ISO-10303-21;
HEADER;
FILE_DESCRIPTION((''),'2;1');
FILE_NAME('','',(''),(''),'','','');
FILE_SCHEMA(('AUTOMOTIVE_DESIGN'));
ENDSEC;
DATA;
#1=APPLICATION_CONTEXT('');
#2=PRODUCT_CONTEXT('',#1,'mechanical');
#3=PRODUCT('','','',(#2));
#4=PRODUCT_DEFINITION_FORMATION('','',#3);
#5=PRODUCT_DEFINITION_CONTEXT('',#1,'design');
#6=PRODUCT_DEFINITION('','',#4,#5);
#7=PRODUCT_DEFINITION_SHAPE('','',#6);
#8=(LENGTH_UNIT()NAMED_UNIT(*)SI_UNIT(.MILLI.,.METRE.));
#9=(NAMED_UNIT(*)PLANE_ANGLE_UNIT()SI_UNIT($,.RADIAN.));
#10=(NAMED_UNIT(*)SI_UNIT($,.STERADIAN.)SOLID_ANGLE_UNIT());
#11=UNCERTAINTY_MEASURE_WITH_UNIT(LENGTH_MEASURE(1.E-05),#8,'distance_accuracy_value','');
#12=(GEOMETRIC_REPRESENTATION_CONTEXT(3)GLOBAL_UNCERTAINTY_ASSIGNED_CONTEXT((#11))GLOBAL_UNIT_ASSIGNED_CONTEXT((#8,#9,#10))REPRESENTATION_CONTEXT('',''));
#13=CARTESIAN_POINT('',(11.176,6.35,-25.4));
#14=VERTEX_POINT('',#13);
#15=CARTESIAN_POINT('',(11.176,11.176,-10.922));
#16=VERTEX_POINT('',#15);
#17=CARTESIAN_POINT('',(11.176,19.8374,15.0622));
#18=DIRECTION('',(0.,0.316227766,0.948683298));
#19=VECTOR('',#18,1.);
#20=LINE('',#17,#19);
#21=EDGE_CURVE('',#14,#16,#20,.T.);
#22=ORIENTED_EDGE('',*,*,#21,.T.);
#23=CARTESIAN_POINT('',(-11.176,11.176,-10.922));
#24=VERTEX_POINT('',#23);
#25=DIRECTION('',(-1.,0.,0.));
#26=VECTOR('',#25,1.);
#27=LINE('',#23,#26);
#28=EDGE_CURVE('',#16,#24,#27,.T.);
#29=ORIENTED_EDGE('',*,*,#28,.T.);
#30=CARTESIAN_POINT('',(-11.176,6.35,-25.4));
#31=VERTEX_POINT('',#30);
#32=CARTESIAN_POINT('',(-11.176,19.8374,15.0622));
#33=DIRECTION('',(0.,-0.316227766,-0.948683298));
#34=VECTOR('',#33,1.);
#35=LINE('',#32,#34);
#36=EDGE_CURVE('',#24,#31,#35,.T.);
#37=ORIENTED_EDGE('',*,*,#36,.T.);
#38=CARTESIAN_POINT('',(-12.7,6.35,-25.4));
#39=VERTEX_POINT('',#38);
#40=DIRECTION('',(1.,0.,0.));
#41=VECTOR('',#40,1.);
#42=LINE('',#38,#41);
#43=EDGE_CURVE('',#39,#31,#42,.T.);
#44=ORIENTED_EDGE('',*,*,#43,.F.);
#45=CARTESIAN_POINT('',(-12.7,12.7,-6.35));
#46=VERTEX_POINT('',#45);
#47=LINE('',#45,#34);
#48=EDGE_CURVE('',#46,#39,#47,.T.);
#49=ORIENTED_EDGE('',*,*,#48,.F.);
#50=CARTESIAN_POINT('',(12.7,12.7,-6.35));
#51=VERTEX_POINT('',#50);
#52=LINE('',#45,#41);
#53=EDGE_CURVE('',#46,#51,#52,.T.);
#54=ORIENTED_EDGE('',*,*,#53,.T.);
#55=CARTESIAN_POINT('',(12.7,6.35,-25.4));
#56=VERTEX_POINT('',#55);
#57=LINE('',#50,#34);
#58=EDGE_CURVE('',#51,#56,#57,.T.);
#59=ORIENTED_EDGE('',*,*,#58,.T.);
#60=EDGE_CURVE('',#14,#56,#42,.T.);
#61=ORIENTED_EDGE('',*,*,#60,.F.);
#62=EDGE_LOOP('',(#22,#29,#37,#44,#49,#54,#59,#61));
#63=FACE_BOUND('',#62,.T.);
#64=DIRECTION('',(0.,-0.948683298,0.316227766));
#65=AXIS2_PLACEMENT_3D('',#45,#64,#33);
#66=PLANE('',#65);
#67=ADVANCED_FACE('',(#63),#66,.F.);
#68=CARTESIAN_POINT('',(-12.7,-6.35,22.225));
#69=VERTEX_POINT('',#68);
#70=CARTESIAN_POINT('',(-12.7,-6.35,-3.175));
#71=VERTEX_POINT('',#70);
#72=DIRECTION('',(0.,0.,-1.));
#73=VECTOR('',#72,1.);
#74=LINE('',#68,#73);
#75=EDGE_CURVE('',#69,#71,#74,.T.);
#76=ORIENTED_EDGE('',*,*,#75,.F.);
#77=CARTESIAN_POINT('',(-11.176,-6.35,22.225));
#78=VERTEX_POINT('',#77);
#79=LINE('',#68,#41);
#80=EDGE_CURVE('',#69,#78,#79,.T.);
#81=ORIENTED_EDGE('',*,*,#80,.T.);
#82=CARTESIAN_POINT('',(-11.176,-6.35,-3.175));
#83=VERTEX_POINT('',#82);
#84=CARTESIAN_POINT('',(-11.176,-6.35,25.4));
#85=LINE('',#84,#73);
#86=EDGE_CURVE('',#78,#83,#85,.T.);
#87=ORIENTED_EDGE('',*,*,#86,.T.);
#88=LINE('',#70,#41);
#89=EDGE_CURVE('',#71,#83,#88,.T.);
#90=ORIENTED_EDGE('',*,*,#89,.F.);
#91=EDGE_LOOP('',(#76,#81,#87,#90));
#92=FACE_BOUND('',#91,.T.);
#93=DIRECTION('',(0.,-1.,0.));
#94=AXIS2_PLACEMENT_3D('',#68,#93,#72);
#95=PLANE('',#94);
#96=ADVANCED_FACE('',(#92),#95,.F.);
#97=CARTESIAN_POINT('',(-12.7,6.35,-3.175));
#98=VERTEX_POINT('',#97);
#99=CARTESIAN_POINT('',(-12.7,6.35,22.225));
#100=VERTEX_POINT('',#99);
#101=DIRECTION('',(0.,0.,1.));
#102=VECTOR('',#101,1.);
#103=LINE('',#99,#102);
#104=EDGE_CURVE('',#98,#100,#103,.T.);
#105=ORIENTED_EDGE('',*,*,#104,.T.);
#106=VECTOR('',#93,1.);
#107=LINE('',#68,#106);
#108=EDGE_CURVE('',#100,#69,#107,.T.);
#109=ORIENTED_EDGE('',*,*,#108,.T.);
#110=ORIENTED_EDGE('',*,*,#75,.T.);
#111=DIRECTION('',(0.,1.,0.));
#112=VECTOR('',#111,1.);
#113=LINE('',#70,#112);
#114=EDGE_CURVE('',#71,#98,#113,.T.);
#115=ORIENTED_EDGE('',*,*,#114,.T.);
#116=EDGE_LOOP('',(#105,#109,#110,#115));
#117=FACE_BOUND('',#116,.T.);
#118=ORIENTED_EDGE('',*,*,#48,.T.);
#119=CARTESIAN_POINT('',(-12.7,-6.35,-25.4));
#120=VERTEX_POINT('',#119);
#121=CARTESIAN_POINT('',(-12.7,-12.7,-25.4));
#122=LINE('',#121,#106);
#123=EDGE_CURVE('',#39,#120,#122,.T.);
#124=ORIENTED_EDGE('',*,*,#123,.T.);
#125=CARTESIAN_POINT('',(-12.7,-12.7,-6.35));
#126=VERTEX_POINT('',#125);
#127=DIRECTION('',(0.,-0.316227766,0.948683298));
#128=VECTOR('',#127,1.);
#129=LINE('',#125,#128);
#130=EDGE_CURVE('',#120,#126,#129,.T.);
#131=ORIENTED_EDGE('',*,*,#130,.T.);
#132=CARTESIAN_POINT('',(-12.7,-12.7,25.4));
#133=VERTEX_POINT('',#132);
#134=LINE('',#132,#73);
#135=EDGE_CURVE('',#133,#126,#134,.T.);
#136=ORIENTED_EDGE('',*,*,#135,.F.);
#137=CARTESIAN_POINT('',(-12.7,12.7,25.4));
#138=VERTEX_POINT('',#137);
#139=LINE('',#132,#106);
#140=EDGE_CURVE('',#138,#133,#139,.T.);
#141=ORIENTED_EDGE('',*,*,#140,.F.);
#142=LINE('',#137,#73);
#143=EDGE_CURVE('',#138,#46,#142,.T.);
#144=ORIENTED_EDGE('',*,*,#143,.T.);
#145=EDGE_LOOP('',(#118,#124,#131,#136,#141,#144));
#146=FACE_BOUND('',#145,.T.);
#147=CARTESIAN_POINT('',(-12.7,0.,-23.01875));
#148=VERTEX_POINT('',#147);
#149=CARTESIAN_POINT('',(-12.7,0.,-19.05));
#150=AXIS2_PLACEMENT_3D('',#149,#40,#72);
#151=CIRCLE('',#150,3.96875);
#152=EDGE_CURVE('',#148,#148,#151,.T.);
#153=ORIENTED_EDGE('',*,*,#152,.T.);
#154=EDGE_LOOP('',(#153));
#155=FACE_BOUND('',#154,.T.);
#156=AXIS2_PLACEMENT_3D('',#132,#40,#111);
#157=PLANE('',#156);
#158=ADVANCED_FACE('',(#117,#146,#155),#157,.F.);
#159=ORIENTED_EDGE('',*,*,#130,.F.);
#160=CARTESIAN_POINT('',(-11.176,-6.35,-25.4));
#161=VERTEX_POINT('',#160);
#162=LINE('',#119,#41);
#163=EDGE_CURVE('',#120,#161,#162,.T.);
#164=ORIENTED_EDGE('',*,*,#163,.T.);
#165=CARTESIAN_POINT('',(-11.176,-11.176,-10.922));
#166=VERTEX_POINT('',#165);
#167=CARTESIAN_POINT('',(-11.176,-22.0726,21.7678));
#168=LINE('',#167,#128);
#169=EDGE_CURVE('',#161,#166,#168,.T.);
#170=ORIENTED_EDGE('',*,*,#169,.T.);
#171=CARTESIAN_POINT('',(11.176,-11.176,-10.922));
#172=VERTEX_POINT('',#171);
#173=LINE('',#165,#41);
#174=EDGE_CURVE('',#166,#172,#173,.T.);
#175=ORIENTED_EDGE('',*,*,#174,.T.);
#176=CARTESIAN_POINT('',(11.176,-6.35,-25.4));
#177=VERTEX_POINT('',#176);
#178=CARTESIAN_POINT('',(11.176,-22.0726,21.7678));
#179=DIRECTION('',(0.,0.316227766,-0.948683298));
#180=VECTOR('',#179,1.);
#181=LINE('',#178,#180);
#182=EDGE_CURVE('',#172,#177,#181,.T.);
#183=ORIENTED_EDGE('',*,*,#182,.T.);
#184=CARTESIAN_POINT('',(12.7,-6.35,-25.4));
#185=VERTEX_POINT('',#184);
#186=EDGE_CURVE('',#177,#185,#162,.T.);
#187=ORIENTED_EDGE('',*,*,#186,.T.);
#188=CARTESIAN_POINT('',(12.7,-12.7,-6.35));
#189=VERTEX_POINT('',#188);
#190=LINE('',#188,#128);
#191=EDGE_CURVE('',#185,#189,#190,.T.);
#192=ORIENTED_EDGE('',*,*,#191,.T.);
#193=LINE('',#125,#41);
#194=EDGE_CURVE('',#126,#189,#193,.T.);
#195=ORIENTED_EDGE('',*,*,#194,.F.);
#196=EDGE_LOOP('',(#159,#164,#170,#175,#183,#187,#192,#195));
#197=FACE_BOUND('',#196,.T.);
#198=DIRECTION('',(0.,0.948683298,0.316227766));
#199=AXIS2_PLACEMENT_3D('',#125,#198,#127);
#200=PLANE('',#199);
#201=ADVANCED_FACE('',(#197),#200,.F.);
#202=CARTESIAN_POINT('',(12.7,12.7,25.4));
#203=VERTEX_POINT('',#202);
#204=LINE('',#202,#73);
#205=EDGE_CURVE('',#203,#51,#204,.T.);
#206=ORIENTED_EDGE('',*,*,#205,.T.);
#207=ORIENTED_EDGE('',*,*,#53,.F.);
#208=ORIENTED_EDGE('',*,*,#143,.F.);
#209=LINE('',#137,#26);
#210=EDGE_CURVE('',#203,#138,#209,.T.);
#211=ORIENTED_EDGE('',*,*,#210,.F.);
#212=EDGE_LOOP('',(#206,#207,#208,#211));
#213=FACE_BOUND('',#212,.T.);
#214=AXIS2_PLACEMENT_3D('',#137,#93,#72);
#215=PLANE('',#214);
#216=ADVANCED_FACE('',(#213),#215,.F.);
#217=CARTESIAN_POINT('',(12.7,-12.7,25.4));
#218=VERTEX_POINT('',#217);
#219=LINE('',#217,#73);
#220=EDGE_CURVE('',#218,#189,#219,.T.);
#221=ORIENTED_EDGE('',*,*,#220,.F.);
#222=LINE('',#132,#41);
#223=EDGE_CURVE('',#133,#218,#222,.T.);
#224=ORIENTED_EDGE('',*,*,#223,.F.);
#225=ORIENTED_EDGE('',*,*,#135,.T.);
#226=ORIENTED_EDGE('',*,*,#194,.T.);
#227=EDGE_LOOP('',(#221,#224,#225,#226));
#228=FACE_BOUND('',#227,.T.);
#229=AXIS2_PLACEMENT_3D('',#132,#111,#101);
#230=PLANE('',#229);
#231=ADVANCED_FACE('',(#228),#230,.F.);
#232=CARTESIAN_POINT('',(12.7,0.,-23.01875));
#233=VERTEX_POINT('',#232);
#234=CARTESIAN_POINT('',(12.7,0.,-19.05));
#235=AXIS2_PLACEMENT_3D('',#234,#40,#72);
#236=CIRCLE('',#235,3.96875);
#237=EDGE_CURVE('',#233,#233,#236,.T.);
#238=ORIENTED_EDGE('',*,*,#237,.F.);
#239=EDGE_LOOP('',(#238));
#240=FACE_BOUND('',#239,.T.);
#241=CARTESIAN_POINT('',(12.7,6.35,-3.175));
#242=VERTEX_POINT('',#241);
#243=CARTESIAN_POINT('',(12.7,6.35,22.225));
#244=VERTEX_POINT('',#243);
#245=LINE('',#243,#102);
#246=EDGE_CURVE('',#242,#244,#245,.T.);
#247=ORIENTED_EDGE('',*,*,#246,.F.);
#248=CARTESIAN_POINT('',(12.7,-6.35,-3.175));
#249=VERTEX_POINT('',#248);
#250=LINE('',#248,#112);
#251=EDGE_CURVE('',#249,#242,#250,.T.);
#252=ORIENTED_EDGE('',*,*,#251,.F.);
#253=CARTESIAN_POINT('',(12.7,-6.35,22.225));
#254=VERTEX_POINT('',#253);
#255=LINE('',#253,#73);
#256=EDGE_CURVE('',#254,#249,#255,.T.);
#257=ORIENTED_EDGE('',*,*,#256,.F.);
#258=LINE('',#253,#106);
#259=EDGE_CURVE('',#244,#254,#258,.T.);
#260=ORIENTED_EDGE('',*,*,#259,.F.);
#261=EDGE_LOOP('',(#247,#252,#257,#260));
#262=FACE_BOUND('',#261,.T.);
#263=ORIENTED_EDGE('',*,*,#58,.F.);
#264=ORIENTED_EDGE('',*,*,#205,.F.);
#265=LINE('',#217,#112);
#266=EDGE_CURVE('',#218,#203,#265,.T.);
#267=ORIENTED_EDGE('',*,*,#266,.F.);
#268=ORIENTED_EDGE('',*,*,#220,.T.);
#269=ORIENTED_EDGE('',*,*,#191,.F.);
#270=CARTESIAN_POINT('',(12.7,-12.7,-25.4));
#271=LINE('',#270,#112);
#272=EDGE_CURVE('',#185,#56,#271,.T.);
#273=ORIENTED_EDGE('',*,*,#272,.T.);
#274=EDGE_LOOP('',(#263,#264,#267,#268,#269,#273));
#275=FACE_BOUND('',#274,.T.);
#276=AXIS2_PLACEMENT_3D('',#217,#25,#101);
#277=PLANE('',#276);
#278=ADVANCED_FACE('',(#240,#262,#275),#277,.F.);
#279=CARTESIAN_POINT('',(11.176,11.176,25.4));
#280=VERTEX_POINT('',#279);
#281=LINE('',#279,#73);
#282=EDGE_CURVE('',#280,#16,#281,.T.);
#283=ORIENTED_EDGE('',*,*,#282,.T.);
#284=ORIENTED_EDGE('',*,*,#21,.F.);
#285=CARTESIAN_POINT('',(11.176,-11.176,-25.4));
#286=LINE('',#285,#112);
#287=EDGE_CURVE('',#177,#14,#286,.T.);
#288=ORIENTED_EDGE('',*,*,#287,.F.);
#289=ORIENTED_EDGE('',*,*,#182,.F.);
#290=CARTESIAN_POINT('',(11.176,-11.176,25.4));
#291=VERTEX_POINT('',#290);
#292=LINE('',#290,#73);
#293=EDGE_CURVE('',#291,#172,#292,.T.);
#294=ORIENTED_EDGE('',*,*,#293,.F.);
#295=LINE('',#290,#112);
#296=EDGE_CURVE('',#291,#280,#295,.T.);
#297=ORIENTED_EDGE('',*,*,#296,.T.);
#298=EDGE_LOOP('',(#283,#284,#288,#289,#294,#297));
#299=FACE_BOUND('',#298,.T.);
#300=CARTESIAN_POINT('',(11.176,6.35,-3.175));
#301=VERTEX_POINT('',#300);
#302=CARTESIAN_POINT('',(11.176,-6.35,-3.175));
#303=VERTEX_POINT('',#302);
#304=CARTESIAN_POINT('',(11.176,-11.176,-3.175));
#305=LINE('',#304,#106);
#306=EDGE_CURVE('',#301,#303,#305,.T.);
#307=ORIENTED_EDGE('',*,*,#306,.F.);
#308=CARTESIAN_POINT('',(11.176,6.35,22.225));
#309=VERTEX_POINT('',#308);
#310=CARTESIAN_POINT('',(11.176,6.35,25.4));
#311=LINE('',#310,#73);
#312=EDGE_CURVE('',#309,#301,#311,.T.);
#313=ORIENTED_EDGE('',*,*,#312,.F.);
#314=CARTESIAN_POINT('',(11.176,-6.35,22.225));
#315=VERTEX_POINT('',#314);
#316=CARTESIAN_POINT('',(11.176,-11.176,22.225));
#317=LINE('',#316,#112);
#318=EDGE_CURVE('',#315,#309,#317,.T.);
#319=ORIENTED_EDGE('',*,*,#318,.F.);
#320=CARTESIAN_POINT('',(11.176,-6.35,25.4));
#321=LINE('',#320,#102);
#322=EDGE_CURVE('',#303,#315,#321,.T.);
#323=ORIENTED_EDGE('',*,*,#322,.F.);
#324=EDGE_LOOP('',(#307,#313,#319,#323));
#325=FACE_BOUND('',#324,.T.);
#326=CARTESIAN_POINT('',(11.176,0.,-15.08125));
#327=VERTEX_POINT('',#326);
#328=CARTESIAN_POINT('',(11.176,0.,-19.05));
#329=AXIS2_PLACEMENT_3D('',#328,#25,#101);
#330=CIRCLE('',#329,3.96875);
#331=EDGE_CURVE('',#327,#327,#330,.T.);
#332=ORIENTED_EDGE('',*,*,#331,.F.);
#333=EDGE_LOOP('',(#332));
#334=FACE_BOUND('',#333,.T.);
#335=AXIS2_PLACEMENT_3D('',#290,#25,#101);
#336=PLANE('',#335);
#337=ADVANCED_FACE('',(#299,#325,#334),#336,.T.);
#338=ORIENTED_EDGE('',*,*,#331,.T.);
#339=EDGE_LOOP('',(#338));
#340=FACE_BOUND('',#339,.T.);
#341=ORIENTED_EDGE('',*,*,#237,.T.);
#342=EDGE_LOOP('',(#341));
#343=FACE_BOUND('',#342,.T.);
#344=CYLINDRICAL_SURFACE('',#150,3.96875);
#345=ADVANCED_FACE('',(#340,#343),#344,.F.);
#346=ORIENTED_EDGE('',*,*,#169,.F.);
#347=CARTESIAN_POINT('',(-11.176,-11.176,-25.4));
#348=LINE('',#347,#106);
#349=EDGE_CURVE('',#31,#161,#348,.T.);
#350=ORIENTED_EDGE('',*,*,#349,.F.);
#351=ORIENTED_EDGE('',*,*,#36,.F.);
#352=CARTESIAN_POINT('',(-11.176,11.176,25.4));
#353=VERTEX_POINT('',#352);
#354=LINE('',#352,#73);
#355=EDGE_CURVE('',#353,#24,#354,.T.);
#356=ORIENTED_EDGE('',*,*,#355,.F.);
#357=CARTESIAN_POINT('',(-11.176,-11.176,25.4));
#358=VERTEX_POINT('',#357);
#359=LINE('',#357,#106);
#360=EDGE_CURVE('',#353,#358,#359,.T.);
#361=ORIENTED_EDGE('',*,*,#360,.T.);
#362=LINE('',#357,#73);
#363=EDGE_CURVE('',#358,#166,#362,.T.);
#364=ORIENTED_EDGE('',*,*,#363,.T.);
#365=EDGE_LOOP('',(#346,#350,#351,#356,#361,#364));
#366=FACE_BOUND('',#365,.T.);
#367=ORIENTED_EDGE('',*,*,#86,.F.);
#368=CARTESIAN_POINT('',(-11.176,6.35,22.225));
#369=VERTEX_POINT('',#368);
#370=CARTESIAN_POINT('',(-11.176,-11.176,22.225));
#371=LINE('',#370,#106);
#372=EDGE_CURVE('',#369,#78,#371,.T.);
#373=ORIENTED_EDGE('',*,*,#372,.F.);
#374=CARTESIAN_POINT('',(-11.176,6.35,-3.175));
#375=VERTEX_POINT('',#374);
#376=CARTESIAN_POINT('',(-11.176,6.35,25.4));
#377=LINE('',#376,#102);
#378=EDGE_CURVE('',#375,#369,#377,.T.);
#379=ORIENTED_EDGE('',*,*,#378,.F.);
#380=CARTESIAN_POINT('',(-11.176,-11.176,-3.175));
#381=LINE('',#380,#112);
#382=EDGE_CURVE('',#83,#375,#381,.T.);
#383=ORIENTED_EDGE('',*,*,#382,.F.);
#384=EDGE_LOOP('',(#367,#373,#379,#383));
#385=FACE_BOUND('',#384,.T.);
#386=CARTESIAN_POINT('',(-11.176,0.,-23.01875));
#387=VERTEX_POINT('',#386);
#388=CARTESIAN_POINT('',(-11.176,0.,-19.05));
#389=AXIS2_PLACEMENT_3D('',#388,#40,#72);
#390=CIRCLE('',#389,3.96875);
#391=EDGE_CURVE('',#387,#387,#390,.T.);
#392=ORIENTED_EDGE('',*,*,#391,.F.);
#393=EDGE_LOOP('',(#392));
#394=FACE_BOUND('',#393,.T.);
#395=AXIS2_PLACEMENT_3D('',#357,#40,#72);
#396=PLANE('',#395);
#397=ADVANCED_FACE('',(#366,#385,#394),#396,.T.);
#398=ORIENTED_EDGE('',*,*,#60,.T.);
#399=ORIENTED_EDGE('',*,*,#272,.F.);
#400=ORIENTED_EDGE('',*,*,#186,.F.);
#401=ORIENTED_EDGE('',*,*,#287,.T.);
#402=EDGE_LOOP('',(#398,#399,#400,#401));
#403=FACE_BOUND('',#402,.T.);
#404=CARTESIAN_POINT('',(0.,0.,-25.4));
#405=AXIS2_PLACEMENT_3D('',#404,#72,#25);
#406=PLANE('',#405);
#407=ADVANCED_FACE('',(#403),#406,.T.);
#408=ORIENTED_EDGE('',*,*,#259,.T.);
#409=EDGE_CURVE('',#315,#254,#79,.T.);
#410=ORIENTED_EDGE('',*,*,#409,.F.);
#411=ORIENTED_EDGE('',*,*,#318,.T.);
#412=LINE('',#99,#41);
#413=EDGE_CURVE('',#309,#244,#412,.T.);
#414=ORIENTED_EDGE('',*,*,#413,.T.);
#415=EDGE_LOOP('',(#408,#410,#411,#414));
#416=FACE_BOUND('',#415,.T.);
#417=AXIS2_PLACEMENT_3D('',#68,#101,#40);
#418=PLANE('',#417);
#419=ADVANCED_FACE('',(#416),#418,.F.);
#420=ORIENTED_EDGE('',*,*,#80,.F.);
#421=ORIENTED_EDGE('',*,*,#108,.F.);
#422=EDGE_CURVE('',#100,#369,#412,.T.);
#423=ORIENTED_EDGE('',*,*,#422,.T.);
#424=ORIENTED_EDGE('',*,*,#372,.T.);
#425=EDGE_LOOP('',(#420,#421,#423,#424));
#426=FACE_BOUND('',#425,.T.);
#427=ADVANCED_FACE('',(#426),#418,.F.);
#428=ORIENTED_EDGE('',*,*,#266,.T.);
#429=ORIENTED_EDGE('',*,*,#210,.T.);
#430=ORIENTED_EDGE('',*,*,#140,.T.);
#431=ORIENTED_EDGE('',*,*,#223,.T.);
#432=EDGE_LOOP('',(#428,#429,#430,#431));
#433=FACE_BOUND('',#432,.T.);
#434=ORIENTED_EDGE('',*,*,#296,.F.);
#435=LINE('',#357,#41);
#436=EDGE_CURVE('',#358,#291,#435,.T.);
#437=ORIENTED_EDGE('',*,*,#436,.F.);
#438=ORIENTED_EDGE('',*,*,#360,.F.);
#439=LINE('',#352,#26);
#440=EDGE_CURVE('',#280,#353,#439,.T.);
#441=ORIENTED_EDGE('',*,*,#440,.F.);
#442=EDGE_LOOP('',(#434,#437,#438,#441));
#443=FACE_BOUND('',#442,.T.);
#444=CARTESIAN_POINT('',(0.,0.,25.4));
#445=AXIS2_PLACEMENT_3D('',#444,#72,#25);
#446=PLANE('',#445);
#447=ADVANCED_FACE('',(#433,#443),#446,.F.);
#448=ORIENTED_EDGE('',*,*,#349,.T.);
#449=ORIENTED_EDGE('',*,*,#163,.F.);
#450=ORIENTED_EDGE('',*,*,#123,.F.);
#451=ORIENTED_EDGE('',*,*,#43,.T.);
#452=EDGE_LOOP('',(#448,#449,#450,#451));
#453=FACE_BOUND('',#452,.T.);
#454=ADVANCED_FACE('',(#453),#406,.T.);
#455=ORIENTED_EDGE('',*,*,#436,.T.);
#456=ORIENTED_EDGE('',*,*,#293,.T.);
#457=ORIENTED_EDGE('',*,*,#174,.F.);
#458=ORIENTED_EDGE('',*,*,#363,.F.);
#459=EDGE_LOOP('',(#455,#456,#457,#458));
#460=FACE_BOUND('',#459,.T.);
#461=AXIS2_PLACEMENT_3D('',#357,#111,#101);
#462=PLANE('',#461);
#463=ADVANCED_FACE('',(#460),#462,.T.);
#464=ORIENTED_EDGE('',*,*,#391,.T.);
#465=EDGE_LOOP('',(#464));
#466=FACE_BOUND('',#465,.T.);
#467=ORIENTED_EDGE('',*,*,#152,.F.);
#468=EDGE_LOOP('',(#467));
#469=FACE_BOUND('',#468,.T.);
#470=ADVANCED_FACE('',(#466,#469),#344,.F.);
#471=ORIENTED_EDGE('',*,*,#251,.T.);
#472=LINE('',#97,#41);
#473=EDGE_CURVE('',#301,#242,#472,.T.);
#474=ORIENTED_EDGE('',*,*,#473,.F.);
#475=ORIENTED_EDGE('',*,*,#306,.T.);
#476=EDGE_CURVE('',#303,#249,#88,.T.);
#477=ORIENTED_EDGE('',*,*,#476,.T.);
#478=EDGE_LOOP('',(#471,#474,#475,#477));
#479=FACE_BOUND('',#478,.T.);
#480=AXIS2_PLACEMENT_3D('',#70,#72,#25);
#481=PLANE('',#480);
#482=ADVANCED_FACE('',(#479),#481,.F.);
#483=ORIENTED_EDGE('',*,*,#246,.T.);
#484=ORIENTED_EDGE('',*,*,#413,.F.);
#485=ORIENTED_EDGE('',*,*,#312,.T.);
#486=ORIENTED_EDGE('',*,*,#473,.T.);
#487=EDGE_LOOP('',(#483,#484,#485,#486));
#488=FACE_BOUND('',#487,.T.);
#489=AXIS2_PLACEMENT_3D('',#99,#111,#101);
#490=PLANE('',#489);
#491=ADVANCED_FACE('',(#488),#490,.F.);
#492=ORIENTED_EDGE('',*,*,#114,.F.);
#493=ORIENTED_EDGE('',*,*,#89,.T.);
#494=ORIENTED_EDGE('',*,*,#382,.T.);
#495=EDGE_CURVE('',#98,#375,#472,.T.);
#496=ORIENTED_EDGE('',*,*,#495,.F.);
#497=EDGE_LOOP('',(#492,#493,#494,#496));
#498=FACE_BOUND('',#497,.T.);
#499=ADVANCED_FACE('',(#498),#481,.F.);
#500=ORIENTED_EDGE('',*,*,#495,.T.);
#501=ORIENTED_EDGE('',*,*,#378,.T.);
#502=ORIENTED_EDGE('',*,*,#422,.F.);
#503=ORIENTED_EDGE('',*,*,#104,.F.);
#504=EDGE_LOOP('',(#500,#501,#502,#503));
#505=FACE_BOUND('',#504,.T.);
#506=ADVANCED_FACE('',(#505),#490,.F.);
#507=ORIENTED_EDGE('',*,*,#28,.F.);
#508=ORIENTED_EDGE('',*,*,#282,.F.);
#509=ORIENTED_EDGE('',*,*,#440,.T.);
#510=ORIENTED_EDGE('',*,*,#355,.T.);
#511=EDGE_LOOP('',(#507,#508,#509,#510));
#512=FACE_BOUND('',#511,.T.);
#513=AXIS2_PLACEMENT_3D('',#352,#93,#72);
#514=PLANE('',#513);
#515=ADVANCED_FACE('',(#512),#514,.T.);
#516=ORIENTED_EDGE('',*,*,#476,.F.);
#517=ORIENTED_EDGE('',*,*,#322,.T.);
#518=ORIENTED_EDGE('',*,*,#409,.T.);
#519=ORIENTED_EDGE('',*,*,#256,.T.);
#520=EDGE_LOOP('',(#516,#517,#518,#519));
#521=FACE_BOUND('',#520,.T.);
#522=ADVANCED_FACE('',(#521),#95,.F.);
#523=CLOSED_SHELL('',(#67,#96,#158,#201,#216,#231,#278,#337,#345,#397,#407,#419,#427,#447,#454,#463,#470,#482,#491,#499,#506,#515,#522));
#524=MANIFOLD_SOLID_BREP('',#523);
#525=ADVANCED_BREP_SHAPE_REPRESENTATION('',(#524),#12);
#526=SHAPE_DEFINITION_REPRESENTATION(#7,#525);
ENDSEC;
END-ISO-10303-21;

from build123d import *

# Parameters (mm, degrees)
SKETCH1_W           = 25.4
SKETCH1_H           = 25.4
SKETCH1_W_2         = 22.352
SKETCH1_H_2         = 22.352
BOSS_EXTRUDE1_DEPTH = 25.4
SKETCH2_R           = 3.96875
SKETCH2_W           = 25.4
SKETCH2_H           = 12.7
CUT_EXTRUDE1_DEPTH  = 26.4
CUT_EXTRUDE2_DEPTH  = 26.4


with BuildPart() as part:
    # Sketch1 → Boss-Extrude1 (new body, symmetric)
    with BuildSketch(Plane.XY):
        Rectangle(SKETCH1_W, SKETCH1_H)
        Rectangle(SKETCH1_W_2, SKETCH1_H_2, mode=Mode.SUBTRACT)
    extrude(amount=BOSS_EXTRUDE1_DEPTH, both=True)

    # Sketch2 → Cut-Extrude1 (cut, through all)
    with BuildSketch(Plane(origin=(12.7, 0, 0), x_dir=(0, 0, -1), z_dir=(1, 0, 0))):
        with Locations((19.05, 0)):
            Circle(SKETCH2_R)
        with Locations((-9.525, 0)):
            Rectangle(SKETCH2_W, SKETCH2_H)
    extrude(amount=-CUT_EXTRUDE1_DEPTH, mode=Mode.SUBTRACT)

    # Sketch3 → Cut-Extrude2 (cut, through all)
    with BuildSketch(Plane(origin=(12.7, 0, 0), x_dir=(0, 0, -1), z_dir=(1, 0, 0))):
        Polygon((6.35, 12.7), (25.4, 6.35), (25.4, 12.7), align=None)
        Polygon((25.4, -6.35), (25.4, -12.7), (6.35, -12.7), align=None)
    extrude(amount=-CUT_EXTRUDE2_DEPTH, mode=Mode.SUBTRACT)


solid = part.part
